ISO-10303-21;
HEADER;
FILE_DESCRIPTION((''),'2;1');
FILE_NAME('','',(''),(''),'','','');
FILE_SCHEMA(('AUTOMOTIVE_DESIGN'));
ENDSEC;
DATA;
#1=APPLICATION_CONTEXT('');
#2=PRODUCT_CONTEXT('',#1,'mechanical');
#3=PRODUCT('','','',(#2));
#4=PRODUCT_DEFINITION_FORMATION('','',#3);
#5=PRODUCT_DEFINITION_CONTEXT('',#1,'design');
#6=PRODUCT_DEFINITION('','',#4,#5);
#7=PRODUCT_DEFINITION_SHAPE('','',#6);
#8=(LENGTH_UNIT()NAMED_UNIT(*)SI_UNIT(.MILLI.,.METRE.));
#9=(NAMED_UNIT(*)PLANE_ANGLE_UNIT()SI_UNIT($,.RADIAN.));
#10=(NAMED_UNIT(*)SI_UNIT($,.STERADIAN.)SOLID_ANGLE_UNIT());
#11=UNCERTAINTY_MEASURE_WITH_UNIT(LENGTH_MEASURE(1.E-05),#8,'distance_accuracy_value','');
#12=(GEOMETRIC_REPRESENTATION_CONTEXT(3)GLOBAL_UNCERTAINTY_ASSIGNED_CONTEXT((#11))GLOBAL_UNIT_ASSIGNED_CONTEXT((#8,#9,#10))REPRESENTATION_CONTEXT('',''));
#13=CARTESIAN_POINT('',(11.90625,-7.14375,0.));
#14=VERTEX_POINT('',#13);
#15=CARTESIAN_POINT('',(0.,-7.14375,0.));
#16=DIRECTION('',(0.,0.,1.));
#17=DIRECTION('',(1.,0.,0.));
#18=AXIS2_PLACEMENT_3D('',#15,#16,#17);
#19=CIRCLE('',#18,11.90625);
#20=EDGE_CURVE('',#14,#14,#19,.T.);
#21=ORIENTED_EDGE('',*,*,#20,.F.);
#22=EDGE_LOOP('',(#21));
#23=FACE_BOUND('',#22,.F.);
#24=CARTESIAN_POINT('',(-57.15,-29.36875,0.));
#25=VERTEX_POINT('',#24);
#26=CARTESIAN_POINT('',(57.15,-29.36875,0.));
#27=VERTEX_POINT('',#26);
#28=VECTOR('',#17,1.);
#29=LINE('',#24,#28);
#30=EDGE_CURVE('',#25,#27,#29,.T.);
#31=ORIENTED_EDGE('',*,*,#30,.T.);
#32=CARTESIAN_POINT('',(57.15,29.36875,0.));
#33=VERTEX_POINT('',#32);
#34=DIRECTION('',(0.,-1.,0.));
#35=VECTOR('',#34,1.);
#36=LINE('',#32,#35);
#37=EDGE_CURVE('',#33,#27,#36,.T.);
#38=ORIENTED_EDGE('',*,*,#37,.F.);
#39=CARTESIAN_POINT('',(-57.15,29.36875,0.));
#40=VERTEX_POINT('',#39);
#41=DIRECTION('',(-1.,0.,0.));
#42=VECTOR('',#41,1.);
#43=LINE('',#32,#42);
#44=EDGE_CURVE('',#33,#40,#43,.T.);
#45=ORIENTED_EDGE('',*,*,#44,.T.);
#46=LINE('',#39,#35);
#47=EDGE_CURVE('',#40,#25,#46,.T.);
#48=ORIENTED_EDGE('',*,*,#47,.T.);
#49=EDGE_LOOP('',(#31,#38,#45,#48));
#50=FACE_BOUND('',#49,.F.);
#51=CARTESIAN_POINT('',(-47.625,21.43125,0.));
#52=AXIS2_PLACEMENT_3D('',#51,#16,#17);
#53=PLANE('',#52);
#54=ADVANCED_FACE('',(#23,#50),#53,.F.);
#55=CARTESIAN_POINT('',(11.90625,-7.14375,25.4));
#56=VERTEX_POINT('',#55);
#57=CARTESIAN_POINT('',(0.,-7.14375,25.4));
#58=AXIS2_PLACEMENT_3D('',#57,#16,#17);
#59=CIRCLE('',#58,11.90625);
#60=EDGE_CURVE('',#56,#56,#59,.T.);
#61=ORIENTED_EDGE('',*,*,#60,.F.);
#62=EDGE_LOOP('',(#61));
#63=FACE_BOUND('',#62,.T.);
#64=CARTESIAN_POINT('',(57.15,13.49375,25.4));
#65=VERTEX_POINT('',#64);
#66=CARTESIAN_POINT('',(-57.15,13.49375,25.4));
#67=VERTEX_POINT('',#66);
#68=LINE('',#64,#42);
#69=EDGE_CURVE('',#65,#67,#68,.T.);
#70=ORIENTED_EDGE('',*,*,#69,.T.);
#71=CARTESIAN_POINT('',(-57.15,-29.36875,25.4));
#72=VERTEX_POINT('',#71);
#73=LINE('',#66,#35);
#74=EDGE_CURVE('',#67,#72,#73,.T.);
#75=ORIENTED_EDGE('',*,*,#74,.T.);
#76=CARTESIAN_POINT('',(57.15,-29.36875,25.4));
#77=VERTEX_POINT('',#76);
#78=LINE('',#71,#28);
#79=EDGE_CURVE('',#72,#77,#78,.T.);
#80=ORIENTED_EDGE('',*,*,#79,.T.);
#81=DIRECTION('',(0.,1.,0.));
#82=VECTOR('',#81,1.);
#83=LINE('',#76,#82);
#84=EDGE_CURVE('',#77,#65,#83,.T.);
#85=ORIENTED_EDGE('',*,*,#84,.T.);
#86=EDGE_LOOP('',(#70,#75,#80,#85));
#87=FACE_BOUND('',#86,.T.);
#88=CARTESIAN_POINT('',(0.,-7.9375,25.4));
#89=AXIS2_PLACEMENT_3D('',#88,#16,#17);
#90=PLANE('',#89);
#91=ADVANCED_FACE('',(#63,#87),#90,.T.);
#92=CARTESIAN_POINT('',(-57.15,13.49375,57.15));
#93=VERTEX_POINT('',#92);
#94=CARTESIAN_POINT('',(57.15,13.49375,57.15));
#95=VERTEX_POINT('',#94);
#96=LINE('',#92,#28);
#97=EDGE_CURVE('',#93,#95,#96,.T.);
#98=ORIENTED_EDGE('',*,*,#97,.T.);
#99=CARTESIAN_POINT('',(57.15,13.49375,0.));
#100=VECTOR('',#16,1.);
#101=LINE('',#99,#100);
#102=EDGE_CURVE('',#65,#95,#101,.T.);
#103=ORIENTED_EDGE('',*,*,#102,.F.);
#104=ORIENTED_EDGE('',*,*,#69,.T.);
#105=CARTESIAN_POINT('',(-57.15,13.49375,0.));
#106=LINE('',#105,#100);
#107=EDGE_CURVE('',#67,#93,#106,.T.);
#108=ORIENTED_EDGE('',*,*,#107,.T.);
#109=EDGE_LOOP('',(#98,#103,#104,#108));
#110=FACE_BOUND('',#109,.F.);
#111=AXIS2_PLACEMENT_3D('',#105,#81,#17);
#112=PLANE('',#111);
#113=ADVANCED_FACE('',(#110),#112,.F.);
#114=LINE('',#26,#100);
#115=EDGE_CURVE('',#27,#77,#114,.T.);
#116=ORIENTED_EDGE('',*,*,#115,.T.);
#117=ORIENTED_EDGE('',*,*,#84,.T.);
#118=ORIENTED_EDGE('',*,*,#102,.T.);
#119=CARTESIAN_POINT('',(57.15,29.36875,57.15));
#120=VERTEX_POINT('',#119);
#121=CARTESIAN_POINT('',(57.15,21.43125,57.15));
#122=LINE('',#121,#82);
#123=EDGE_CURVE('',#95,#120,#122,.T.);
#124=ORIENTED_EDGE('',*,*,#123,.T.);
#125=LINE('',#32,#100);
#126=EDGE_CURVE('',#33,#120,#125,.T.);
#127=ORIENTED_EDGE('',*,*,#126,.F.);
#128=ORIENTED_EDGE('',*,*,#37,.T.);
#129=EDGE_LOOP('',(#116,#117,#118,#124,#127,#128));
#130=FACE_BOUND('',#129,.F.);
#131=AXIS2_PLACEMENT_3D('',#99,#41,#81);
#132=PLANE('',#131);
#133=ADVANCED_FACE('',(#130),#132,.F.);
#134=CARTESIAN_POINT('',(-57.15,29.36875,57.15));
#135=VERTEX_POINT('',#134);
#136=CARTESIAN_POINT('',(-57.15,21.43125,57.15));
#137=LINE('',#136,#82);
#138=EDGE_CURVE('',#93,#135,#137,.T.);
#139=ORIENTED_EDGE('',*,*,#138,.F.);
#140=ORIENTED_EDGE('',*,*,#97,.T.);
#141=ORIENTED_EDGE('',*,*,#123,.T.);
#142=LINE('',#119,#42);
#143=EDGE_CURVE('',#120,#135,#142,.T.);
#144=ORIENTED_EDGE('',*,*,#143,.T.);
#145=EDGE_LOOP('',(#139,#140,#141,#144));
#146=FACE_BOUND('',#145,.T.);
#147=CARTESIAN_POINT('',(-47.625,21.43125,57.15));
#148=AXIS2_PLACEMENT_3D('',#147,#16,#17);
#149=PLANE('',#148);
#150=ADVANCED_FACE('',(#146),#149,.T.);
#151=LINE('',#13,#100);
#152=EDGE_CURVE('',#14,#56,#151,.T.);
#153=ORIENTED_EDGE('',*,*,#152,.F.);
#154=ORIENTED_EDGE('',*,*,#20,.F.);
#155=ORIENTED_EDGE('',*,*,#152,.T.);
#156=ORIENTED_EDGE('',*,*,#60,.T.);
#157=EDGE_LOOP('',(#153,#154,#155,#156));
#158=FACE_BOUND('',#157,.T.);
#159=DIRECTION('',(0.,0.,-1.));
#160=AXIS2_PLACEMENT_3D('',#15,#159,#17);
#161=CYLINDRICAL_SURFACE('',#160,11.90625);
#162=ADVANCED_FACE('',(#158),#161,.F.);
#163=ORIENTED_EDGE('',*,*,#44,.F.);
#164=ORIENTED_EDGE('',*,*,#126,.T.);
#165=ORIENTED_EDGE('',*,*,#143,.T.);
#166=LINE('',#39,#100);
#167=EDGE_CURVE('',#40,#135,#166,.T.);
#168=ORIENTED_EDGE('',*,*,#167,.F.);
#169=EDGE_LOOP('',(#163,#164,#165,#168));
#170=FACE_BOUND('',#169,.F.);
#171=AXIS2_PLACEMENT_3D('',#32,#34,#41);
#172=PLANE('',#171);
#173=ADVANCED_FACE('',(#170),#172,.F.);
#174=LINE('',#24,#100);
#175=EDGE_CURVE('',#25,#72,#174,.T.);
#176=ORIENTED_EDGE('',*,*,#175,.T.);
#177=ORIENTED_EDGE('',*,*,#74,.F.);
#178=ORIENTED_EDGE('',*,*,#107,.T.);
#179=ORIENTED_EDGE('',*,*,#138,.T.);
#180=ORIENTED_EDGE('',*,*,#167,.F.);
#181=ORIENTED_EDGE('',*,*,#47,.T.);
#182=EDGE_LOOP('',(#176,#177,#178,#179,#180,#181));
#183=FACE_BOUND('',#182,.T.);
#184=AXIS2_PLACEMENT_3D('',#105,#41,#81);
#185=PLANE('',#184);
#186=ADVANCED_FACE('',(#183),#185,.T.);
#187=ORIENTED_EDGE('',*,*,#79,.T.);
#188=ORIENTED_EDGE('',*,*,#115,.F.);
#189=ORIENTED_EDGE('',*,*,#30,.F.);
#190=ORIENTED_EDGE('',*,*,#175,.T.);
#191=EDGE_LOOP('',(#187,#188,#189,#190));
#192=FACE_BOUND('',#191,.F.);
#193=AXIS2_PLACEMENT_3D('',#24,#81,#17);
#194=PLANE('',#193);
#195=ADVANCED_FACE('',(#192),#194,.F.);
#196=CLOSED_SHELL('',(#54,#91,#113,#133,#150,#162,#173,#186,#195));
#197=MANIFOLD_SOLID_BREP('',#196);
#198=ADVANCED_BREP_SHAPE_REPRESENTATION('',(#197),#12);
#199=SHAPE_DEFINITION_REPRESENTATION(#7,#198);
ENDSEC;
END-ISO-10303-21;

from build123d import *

# Parameters (mm, degrees)
F0_R     = 11.90625
F1_DEPTH = 25.4
F0_W     = 19.05
F0_H     = 15.875
F0_W_2   = 38.1
F2_DEPTH = 57.15


with BuildPart() as f1:
    # F0 (on Top) → F1 (new body)
    with BuildSketch(Plane.XY):
        Polygon((-57.15, -29.36875), (57.15, -29.36875), (57.15, 13.49375), (38.1, 13.49375), (0, 13.49375), (-38.1, 13.49375), (-57.15, 13.49375), align=None)
        with Locations((0, -7.14375)):
            Circle(F0_R, mode=Mode.SUBTRACT)
    extrude(amount=F1_DEPTH)

    # F0 (on Top) → F2 (join)
    with BuildSketch(Plane.XY):
        with Locations((-47.625, 21.43125)):
            Rectangle(F0_W, F0_H)
        with Locations((-19.05, 21.43125)):
            Rectangle(F0_W_2, F0_H)
        with Locations((19.05, 21.43125)):
            Rectangle(F0_W_2, F0_H)
        with Locations((47.625, 21.43125)):
            Rectangle(F0_W, F0_H)
    extrude(amount=F2_DEPTH)


solid = f1.part
